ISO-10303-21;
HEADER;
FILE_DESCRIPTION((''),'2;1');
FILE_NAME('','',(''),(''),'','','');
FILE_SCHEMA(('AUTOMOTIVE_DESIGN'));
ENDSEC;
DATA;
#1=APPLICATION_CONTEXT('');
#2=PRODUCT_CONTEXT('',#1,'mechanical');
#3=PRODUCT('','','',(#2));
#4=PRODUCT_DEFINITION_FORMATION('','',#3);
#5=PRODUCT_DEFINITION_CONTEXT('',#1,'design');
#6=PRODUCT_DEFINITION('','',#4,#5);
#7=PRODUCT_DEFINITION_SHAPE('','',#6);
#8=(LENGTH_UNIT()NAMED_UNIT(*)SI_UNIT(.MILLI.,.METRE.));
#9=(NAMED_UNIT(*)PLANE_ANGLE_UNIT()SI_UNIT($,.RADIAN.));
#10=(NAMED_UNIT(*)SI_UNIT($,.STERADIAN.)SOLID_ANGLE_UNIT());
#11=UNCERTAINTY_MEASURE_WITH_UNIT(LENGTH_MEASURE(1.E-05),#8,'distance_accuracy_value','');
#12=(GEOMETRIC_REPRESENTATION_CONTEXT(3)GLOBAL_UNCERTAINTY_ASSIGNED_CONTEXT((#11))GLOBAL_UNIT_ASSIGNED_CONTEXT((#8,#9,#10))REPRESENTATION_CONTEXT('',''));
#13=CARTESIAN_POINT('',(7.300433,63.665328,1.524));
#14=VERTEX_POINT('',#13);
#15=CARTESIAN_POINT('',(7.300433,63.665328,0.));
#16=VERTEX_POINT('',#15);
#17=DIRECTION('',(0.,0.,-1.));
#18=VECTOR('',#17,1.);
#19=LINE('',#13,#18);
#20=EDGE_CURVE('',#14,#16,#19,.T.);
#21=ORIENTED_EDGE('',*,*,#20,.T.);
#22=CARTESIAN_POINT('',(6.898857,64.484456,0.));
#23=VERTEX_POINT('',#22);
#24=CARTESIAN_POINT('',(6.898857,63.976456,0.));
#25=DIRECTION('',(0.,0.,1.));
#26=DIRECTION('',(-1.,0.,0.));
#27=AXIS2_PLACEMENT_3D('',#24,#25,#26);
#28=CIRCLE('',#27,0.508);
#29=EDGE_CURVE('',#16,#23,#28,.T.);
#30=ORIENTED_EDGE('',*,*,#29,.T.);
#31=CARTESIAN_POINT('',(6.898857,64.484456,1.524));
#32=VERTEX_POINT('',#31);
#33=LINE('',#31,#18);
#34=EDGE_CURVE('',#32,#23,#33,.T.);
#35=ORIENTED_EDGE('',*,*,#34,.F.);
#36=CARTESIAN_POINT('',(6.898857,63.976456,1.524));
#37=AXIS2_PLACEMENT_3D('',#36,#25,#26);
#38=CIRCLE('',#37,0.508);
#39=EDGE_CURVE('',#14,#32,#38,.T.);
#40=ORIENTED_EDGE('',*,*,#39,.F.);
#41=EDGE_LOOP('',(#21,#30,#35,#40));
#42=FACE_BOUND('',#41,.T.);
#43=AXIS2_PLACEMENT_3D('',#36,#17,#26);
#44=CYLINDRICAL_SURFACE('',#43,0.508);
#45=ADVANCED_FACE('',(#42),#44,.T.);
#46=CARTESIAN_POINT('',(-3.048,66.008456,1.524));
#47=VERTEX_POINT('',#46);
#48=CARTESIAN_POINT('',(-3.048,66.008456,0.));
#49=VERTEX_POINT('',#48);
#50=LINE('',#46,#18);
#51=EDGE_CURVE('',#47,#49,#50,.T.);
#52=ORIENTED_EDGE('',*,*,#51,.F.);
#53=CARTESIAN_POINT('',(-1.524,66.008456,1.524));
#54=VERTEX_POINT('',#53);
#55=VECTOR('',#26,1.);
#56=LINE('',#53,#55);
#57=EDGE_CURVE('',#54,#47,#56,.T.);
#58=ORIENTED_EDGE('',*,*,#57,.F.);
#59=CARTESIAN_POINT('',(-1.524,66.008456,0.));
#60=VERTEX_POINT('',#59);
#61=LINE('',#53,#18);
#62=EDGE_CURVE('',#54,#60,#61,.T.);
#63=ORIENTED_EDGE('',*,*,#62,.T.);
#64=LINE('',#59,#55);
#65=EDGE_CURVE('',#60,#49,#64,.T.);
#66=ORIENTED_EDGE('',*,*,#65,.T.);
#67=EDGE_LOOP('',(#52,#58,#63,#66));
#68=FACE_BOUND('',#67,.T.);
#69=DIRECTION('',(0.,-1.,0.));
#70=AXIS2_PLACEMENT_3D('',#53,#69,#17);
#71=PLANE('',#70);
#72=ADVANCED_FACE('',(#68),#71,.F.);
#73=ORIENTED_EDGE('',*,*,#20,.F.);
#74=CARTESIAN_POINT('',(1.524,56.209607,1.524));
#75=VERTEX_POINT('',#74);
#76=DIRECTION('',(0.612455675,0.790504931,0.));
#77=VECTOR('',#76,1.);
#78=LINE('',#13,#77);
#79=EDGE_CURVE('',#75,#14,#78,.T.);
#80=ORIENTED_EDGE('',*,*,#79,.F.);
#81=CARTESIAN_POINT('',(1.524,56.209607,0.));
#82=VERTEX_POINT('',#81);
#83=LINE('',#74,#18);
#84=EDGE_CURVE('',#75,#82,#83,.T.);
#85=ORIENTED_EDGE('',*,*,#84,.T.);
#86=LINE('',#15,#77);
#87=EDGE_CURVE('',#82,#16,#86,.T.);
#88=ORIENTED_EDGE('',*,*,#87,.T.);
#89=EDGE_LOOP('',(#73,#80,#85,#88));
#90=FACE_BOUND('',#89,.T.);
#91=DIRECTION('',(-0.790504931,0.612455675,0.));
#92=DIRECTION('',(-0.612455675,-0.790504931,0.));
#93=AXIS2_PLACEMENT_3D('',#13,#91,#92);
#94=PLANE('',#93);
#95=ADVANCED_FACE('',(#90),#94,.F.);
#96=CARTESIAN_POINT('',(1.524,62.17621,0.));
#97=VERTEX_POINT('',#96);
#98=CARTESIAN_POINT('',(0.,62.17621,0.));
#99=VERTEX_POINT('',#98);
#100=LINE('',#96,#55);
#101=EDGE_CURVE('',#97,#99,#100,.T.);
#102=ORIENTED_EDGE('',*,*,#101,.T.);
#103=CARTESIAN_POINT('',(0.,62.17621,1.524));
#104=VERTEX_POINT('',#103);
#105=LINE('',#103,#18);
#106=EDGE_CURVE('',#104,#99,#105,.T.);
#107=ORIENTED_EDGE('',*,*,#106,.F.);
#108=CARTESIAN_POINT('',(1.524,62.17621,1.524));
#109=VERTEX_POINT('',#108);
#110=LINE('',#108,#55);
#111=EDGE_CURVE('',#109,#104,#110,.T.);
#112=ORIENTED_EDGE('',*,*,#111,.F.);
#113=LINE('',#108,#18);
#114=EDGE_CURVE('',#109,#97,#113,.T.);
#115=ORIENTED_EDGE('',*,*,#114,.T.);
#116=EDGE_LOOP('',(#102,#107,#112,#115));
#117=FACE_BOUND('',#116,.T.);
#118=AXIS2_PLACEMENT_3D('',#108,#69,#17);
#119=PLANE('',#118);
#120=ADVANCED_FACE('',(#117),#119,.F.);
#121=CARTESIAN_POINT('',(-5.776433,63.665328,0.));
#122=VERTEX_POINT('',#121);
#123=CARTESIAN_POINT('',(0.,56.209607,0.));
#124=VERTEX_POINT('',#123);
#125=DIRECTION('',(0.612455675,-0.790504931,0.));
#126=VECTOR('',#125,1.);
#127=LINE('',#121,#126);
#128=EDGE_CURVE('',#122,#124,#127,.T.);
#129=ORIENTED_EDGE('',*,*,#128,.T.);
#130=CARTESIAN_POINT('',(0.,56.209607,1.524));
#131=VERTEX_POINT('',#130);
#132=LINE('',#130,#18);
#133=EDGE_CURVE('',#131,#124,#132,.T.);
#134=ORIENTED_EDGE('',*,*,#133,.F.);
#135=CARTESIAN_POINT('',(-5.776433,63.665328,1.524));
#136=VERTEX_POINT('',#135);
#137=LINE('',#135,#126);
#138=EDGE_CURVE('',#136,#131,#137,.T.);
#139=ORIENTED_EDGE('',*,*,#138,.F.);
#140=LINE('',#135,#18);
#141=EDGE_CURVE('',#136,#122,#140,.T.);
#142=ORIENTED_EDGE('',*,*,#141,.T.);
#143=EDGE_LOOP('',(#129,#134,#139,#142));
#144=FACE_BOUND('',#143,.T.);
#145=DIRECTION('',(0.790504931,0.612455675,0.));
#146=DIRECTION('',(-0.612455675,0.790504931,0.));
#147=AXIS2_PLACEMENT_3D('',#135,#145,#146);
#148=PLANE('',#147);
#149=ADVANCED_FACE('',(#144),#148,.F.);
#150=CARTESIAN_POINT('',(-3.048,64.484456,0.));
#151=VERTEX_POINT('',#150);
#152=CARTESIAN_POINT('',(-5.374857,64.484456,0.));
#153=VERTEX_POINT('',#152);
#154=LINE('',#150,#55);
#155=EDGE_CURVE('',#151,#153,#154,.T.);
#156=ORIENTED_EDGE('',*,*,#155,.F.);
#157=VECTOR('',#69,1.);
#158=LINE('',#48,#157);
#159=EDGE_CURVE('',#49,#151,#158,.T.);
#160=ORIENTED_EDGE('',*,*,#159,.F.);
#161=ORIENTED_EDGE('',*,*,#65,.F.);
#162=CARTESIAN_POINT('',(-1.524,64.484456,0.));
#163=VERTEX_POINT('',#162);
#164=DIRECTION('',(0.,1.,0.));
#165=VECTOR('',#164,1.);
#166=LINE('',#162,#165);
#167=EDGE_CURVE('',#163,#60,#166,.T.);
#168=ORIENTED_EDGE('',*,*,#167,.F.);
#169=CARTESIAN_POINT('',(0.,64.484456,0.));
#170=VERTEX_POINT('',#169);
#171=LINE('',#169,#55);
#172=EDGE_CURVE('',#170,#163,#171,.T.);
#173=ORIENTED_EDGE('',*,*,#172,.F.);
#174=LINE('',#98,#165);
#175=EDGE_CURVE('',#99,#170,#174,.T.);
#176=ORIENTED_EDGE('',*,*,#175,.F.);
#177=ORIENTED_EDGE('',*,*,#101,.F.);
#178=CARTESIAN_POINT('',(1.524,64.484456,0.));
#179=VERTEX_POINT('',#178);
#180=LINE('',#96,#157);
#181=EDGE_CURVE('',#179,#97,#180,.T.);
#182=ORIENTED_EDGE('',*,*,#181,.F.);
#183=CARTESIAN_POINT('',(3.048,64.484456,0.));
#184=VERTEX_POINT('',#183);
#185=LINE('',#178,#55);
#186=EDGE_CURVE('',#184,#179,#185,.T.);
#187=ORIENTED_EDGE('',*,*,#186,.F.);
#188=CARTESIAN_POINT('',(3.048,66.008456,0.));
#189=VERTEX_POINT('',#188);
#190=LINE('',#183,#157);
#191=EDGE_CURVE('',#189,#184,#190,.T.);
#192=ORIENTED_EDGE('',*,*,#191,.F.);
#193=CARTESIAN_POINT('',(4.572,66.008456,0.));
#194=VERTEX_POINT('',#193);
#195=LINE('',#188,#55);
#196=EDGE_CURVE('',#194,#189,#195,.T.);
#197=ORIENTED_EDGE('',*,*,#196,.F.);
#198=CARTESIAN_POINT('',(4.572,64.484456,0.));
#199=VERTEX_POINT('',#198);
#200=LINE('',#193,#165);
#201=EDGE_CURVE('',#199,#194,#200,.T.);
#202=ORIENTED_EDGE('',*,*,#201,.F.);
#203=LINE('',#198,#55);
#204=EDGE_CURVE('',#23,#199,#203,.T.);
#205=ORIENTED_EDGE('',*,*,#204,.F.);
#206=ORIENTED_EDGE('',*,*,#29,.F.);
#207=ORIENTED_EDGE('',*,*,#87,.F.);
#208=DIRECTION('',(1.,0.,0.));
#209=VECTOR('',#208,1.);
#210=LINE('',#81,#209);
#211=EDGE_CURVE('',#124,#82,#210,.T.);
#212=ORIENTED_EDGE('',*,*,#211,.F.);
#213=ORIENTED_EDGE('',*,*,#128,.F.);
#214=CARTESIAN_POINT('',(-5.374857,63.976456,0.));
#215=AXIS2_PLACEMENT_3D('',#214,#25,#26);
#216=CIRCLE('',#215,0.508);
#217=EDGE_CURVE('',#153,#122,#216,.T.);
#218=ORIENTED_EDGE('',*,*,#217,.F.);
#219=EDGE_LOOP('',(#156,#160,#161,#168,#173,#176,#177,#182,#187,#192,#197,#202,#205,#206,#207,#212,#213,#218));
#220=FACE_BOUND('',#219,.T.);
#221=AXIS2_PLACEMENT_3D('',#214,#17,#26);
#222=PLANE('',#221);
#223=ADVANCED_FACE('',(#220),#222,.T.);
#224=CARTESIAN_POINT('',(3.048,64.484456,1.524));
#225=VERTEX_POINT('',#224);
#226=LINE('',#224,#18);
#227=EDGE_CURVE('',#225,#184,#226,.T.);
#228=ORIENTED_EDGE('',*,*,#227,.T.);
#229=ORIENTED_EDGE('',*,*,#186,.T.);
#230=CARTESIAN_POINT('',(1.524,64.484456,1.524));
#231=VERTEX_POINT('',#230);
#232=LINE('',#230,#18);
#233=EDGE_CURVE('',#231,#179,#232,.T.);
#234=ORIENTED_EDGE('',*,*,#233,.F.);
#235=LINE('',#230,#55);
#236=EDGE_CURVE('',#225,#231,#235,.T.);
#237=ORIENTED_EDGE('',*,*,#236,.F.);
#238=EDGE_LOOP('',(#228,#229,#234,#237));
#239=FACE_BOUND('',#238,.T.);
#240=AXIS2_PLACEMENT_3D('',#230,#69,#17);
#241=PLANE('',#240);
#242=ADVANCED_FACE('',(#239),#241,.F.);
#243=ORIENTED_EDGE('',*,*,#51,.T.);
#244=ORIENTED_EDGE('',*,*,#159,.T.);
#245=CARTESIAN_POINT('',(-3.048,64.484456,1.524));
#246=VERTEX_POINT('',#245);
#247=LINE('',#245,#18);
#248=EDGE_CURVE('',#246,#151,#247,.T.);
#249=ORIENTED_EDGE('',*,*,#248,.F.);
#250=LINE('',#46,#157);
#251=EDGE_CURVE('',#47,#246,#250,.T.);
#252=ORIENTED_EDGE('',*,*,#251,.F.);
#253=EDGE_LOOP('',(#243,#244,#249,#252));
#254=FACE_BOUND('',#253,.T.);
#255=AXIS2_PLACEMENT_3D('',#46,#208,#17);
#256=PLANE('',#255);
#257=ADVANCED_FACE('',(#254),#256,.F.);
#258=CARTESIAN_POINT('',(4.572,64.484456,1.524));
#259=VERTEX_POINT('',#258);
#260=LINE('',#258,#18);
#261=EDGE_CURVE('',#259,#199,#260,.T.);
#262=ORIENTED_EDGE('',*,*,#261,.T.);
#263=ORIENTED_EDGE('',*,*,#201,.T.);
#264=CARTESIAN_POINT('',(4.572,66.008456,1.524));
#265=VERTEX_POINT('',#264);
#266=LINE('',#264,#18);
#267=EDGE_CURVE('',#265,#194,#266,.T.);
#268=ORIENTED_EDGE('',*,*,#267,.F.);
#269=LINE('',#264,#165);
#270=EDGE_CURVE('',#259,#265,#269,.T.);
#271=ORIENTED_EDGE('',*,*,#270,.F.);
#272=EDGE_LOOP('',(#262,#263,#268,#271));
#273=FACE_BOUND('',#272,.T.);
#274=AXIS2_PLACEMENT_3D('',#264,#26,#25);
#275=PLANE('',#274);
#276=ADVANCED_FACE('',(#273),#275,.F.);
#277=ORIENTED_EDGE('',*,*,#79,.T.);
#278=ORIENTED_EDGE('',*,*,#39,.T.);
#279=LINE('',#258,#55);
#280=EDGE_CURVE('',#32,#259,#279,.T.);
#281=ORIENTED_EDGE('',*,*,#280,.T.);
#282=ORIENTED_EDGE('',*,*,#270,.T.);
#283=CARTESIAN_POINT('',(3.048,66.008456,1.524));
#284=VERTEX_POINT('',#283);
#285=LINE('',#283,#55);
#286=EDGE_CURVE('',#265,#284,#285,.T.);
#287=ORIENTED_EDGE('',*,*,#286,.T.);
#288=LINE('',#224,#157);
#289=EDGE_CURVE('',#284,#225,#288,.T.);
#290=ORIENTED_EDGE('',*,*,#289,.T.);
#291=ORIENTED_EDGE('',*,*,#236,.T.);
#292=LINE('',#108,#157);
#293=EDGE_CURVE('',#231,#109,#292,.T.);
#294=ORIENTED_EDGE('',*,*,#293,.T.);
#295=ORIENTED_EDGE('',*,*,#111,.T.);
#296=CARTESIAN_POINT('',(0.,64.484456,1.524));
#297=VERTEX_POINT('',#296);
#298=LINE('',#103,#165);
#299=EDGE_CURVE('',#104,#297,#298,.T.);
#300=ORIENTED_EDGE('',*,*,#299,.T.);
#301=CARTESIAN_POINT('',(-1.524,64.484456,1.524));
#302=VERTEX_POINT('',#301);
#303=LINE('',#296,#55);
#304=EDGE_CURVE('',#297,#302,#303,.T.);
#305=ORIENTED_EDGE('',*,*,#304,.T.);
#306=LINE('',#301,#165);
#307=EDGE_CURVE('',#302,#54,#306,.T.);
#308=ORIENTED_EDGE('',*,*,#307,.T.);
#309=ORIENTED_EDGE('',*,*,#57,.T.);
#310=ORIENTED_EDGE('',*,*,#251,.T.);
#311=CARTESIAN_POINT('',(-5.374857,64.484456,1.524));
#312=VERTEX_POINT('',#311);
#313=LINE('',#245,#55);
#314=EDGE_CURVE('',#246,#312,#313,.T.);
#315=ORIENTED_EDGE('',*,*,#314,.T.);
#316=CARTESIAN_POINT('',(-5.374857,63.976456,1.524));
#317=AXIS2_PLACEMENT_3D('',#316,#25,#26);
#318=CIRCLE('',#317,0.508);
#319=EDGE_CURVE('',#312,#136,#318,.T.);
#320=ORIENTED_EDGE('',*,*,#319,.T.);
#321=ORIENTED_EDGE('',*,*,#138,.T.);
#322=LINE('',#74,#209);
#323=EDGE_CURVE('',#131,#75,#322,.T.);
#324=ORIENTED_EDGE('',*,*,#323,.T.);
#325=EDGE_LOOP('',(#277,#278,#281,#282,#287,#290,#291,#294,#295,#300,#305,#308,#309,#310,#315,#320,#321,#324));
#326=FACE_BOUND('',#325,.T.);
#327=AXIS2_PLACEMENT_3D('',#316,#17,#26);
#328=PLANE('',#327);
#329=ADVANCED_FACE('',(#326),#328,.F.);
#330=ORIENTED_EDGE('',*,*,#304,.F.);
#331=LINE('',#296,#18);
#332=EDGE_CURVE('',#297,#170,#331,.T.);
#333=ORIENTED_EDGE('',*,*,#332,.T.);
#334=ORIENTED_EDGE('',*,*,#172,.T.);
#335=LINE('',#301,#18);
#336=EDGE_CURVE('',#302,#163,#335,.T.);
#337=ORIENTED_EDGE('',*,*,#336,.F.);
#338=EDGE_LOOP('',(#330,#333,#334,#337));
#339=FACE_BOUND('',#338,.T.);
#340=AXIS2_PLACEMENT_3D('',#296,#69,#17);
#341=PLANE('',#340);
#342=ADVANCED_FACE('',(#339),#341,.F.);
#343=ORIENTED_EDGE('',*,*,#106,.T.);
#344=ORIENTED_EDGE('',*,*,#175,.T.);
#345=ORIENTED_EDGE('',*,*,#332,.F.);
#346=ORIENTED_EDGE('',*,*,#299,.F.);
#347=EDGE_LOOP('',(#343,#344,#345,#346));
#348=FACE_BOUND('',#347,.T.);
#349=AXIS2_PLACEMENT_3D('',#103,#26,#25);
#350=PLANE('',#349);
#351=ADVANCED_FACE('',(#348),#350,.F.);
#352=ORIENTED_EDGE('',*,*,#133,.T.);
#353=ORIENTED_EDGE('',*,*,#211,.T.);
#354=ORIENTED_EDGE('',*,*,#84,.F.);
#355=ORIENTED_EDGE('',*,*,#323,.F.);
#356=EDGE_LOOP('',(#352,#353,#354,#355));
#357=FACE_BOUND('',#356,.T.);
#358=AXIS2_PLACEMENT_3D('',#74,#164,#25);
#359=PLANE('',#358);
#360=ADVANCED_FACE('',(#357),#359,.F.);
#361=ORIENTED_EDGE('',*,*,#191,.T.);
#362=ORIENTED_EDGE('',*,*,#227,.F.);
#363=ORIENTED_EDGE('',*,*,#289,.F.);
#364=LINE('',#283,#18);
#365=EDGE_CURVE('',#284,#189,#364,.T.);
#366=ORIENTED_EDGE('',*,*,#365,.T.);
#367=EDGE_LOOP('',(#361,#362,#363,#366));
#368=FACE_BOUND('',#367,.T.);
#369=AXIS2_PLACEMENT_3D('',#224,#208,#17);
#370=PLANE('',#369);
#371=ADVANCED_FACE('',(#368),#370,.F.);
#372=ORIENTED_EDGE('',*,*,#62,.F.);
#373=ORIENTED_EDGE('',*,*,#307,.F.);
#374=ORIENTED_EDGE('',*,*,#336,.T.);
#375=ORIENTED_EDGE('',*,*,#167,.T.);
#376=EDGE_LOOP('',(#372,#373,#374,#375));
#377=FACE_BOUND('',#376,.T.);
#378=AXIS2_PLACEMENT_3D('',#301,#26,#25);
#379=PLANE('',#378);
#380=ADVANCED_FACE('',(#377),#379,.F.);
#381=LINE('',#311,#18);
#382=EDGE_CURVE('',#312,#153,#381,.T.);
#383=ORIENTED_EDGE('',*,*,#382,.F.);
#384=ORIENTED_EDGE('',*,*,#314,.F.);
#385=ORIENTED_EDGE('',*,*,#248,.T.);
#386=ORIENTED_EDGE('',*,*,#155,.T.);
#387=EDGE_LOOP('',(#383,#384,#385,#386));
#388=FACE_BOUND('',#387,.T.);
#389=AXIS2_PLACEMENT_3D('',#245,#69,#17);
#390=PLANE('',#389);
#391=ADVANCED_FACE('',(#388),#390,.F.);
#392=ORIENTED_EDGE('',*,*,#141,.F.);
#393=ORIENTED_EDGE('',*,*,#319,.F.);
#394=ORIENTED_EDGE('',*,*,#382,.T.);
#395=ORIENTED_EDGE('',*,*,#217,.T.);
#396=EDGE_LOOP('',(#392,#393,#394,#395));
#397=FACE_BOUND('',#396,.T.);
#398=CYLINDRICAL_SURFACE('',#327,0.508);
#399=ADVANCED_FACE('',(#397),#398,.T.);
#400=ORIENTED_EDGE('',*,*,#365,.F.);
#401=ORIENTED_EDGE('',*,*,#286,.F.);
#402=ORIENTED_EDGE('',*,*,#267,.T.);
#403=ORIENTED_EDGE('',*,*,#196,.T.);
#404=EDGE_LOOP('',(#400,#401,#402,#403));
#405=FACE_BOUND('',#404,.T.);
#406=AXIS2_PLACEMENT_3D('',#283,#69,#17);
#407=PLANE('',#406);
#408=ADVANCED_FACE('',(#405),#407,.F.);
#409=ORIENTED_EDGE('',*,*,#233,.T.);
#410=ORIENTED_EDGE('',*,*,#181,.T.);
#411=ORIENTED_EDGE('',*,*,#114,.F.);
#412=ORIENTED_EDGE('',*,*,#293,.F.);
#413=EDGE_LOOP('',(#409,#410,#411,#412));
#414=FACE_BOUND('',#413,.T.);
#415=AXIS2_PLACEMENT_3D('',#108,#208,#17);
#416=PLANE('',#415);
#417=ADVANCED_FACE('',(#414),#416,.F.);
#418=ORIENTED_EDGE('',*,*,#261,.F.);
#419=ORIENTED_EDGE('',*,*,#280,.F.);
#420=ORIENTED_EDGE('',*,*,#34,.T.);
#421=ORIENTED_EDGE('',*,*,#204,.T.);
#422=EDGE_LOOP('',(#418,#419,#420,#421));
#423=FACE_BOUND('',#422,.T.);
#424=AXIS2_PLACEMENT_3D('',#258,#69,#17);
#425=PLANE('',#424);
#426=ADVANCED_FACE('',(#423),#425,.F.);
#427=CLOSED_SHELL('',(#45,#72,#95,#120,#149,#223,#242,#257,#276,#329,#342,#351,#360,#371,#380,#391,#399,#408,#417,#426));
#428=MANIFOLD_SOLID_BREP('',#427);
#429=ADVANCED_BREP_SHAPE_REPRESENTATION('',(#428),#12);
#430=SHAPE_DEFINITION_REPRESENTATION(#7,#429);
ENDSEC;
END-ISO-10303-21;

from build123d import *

# Parameters (mm, degrees)
BOSS_EXTRUDE1_DEPTH = 1.524


with BuildPart() as part:
    # Sketch1 → Boss-Extrude1 (new body)
    with BuildSketch(Plane.XY):
        with BuildLine():
            Line((1.524, 62.176210227), (1.524, 64.48445576))
            Line((1.524, 64.48445576), (3.048, 64.48445576))
            Line((3.048, 64.48445576), (3.048, 66.00845576))
            Line((3.048, 66.00845576), (4.572, 66.00845576))
            Line((4.572, 66.00845576), (4.572, 64.48445576))
            Line((4.572, 64.48445576), (6.898856883, 64.48445576))
            ThreePointArc((6.898856883, 64.48445576), (7.354991053, 64.200075123), (7.300433388, 63.665328277))
            Line((7.300433388, 63.665328277), (1.524, 56.209606557))
            Line((1.524, 56.209606557), (0, 56.209606557))
            Line((0, 56.209606557), (-5.776433388, 63.665328277))
            ThreePointArc((-5.776433388, 63.665328277), (-5.830991053, 64.200075123), (-5.374856883, 64.48445576))
            Line((-5.374856883, 64.48445576), (-3.048, 64.48445576))
            Line((-3.048, 64.48445576), (-3.048, 66.00845576))
            Line((-3.048, 66.00845576), (-1.524, 66.00845576))
            Line((-1.524, 66.00845576), (-1.524, 64.48445576))
            Line((-1.524, 64.48445576), (0, 64.48445576))
            Line((0, 64.48445576), (0, 62.176210227))
            Line((0, 62.176210227), (1.524, 62.176210227))
        make_face()
    extrude(amount=BOSS_EXTRUDE1_DEPTH)


solid = part.part
